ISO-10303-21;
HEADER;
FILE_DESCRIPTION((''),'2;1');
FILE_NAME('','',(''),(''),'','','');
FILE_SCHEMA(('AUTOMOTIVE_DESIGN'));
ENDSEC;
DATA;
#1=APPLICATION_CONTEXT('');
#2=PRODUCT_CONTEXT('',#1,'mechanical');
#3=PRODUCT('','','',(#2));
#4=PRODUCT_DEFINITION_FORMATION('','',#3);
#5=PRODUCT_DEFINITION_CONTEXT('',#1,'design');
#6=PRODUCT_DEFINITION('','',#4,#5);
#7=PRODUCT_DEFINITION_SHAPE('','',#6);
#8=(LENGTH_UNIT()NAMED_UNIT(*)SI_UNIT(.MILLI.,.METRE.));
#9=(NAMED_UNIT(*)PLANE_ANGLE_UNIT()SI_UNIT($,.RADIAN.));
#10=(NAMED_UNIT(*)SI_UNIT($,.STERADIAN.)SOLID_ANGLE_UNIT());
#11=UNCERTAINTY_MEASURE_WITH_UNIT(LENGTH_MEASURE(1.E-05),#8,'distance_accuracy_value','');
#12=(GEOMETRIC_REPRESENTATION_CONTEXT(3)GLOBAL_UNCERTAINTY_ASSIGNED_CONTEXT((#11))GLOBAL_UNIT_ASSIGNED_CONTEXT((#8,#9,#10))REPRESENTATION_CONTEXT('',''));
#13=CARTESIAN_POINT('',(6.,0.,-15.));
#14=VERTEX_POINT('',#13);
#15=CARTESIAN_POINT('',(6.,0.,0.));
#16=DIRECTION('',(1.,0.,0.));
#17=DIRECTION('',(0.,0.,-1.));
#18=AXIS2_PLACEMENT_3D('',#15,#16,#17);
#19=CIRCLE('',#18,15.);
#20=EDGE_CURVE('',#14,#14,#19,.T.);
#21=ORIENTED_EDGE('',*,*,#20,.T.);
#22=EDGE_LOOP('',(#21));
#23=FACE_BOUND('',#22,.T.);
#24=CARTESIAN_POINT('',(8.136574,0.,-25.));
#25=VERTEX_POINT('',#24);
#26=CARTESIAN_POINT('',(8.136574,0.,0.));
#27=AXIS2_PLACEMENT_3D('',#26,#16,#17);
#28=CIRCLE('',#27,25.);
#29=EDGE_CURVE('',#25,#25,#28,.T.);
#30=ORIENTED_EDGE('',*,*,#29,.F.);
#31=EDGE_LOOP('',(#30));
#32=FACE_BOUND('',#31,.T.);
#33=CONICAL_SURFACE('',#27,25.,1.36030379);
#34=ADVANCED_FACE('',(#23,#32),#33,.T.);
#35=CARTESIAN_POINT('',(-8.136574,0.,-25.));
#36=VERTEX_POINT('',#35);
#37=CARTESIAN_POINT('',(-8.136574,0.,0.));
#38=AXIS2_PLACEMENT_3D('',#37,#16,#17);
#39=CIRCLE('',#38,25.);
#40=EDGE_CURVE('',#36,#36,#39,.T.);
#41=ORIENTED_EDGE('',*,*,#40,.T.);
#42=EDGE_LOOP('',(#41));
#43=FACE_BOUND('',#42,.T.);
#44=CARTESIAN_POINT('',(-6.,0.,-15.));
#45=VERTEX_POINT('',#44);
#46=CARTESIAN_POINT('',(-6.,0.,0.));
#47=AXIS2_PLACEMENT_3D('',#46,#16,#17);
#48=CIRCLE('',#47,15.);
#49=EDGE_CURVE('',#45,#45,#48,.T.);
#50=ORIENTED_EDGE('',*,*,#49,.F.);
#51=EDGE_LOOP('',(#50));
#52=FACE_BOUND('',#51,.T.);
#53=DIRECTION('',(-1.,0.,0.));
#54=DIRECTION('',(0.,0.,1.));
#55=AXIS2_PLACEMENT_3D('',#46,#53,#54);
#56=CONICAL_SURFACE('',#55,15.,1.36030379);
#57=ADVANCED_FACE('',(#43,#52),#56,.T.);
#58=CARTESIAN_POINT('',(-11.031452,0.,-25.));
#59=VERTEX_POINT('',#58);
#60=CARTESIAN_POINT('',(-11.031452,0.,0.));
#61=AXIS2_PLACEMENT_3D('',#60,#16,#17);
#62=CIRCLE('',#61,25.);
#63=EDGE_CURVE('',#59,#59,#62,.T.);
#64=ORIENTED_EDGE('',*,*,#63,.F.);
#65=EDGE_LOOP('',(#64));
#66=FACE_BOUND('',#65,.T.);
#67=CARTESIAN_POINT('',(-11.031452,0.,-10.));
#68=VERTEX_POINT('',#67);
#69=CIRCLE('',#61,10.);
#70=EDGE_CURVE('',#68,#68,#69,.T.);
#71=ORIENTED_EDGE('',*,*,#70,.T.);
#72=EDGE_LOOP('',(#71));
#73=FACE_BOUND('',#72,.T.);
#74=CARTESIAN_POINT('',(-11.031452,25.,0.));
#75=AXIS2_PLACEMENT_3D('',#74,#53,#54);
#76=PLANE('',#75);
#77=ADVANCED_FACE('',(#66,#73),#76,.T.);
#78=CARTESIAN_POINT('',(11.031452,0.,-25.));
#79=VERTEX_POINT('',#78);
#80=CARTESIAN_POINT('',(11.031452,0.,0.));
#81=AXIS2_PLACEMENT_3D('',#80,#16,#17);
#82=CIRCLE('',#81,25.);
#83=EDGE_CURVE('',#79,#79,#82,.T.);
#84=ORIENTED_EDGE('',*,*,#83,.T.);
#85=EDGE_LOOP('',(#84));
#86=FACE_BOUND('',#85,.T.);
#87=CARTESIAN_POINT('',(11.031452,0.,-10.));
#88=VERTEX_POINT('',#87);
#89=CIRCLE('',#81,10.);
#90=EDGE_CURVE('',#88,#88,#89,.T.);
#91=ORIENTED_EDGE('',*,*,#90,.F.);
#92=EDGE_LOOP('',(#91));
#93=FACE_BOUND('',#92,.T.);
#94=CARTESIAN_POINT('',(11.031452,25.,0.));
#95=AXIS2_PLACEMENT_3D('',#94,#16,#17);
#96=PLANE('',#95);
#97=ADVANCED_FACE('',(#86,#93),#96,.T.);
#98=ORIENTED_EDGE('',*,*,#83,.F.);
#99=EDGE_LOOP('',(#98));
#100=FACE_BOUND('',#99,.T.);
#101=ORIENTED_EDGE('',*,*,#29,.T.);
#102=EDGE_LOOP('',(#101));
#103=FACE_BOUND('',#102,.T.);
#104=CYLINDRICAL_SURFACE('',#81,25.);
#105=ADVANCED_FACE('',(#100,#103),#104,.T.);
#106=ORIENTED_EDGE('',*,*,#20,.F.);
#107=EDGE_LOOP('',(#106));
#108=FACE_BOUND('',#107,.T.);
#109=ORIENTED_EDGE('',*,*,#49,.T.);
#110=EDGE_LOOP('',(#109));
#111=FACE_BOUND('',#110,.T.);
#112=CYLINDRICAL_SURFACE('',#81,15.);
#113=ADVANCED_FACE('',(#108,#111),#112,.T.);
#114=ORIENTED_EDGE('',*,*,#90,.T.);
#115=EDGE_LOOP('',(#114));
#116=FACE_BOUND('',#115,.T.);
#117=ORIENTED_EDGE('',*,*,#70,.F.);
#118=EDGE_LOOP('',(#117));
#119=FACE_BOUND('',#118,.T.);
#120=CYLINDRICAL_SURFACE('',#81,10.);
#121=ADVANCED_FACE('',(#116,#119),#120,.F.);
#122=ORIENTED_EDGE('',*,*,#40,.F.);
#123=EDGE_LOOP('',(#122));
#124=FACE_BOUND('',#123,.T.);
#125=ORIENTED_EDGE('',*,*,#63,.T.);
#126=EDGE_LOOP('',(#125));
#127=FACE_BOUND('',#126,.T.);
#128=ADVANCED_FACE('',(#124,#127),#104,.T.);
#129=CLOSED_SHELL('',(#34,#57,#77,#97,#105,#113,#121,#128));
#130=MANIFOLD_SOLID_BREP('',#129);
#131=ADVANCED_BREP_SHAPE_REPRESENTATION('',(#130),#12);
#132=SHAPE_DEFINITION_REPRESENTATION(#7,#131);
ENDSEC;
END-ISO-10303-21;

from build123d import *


with BuildPart() as part:
    # Sketch1 → Revolve3 (revolve)
    with BuildSketch(Plane.XY, mode=Mode.PRIVATE) as revolve3_sk:
        Polygon((-6, 15), (6, 15), (8.136574106, 25), (11.03145243, 25), (11.03145243, 10), (-11.03145243, 10), (-11.03145243, 25), (-8.136574106, 25), align=None)
    revolve(revolve3_sk.sketch.rotate(Axis((11.03145243, 0, 0), (-1, 0, 0)), 90), axis=Axis((11.03145243, 0, 0), (-1, 0, 0)))


solid = part.part
